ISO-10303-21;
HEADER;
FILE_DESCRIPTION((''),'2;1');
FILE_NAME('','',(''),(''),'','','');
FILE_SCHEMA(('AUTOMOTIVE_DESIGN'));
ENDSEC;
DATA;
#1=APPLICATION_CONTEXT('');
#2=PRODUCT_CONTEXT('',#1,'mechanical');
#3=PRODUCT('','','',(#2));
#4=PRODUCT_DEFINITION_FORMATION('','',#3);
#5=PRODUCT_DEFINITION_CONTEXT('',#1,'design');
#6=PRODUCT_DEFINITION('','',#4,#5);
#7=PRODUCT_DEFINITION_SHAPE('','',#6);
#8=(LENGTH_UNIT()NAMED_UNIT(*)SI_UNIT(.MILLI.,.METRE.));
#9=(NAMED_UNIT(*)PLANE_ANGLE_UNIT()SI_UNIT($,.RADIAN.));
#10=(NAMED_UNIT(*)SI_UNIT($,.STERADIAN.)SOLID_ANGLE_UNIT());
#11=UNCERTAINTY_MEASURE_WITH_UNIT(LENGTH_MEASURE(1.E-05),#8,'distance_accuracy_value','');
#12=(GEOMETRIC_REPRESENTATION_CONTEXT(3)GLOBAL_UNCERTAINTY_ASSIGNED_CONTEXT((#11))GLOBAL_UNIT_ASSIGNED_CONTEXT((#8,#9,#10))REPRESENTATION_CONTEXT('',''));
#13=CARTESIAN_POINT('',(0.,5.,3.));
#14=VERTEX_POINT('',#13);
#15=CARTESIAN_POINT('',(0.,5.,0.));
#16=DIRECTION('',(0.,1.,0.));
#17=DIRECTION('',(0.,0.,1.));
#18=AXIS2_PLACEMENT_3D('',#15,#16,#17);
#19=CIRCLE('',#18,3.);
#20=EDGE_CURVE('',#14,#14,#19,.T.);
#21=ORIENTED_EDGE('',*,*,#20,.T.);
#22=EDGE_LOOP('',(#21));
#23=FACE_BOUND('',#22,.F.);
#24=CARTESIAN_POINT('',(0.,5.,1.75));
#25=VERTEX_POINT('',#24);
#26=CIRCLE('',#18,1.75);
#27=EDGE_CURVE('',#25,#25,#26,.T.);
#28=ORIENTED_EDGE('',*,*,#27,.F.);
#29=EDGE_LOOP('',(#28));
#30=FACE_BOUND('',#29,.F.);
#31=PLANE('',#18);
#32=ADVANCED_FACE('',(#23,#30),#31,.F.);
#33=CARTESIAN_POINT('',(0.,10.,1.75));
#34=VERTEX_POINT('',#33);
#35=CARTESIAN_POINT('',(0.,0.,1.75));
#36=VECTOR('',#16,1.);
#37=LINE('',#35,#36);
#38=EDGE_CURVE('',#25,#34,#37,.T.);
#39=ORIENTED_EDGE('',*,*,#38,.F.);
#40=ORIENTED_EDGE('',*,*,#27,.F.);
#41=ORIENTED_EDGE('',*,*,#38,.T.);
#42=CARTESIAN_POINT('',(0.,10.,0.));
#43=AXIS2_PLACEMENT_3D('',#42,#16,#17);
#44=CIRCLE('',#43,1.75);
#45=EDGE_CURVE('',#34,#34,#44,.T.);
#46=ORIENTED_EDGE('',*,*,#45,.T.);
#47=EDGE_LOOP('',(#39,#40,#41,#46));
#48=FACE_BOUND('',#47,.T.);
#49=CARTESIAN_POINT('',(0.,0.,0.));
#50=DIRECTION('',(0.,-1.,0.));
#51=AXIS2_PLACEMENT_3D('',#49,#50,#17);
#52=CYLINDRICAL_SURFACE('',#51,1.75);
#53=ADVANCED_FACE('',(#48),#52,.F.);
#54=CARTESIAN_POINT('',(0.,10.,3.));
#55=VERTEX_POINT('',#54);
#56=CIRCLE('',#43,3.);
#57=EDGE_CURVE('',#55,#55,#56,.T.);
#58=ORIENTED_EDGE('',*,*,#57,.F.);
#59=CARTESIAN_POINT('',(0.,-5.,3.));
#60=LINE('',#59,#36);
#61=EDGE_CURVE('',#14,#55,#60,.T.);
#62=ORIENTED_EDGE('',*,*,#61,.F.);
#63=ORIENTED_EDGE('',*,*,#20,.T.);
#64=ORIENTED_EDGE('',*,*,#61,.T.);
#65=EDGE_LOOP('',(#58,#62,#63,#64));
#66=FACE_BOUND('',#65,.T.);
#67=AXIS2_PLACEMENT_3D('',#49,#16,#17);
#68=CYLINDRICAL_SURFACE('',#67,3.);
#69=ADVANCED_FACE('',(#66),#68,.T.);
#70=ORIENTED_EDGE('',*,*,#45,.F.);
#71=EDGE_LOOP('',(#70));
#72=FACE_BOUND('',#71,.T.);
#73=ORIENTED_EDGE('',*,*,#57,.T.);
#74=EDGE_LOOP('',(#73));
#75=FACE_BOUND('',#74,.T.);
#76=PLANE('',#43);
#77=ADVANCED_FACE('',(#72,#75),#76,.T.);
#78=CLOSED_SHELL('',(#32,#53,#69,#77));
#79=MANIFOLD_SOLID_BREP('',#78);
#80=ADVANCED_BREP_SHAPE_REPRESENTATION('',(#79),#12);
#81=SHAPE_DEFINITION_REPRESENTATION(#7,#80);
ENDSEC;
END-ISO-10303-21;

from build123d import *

# Parameters (mm, degrees)
SKETCH1_R           = 3
SKETCH1_R_2         = 1.75
BOSS_EXTRUDE1_DEPTH = 10
MOVE_FACE1_BY       = 5
MOVE_FACE2_BY       = 10


with BuildPart() as part:
    # Sketch1 → Boss-Extrude1 (new body)
    with BuildSketch(Plane(origin=(0, 0, 0), x_dir=(1, 0, 0), z_dir=(0, 1, 0))):
        with Locations(Location((0, 0, 0), (0, 0, 270))):
            Circle(SKETCH1_R)
        with Locations(Location((0, 0, 0), (0, 0, 270))):
            Circle(SKETCH1_R_2, mode=Mode.SUBTRACT)
    extrude(amount=BOSS_EXTRUDE1_DEPTH)

    # Move Face1: a face moved outward by 5.0
    extrude(part.faces().sort_by_distance((0, 0, 2.4))[0], amount=MOVE_FACE1_BY, dir=(0, -1, 0))

    # Move Face2: a face moved inward by 10.0
    extrude(part.faces().sort_by_distance((0, -5, 2.4))[0], amount=MOVE_FACE2_BY, dir=(0, 1, 0), mode=Mode.SUBTRACT)


solid = part.part
